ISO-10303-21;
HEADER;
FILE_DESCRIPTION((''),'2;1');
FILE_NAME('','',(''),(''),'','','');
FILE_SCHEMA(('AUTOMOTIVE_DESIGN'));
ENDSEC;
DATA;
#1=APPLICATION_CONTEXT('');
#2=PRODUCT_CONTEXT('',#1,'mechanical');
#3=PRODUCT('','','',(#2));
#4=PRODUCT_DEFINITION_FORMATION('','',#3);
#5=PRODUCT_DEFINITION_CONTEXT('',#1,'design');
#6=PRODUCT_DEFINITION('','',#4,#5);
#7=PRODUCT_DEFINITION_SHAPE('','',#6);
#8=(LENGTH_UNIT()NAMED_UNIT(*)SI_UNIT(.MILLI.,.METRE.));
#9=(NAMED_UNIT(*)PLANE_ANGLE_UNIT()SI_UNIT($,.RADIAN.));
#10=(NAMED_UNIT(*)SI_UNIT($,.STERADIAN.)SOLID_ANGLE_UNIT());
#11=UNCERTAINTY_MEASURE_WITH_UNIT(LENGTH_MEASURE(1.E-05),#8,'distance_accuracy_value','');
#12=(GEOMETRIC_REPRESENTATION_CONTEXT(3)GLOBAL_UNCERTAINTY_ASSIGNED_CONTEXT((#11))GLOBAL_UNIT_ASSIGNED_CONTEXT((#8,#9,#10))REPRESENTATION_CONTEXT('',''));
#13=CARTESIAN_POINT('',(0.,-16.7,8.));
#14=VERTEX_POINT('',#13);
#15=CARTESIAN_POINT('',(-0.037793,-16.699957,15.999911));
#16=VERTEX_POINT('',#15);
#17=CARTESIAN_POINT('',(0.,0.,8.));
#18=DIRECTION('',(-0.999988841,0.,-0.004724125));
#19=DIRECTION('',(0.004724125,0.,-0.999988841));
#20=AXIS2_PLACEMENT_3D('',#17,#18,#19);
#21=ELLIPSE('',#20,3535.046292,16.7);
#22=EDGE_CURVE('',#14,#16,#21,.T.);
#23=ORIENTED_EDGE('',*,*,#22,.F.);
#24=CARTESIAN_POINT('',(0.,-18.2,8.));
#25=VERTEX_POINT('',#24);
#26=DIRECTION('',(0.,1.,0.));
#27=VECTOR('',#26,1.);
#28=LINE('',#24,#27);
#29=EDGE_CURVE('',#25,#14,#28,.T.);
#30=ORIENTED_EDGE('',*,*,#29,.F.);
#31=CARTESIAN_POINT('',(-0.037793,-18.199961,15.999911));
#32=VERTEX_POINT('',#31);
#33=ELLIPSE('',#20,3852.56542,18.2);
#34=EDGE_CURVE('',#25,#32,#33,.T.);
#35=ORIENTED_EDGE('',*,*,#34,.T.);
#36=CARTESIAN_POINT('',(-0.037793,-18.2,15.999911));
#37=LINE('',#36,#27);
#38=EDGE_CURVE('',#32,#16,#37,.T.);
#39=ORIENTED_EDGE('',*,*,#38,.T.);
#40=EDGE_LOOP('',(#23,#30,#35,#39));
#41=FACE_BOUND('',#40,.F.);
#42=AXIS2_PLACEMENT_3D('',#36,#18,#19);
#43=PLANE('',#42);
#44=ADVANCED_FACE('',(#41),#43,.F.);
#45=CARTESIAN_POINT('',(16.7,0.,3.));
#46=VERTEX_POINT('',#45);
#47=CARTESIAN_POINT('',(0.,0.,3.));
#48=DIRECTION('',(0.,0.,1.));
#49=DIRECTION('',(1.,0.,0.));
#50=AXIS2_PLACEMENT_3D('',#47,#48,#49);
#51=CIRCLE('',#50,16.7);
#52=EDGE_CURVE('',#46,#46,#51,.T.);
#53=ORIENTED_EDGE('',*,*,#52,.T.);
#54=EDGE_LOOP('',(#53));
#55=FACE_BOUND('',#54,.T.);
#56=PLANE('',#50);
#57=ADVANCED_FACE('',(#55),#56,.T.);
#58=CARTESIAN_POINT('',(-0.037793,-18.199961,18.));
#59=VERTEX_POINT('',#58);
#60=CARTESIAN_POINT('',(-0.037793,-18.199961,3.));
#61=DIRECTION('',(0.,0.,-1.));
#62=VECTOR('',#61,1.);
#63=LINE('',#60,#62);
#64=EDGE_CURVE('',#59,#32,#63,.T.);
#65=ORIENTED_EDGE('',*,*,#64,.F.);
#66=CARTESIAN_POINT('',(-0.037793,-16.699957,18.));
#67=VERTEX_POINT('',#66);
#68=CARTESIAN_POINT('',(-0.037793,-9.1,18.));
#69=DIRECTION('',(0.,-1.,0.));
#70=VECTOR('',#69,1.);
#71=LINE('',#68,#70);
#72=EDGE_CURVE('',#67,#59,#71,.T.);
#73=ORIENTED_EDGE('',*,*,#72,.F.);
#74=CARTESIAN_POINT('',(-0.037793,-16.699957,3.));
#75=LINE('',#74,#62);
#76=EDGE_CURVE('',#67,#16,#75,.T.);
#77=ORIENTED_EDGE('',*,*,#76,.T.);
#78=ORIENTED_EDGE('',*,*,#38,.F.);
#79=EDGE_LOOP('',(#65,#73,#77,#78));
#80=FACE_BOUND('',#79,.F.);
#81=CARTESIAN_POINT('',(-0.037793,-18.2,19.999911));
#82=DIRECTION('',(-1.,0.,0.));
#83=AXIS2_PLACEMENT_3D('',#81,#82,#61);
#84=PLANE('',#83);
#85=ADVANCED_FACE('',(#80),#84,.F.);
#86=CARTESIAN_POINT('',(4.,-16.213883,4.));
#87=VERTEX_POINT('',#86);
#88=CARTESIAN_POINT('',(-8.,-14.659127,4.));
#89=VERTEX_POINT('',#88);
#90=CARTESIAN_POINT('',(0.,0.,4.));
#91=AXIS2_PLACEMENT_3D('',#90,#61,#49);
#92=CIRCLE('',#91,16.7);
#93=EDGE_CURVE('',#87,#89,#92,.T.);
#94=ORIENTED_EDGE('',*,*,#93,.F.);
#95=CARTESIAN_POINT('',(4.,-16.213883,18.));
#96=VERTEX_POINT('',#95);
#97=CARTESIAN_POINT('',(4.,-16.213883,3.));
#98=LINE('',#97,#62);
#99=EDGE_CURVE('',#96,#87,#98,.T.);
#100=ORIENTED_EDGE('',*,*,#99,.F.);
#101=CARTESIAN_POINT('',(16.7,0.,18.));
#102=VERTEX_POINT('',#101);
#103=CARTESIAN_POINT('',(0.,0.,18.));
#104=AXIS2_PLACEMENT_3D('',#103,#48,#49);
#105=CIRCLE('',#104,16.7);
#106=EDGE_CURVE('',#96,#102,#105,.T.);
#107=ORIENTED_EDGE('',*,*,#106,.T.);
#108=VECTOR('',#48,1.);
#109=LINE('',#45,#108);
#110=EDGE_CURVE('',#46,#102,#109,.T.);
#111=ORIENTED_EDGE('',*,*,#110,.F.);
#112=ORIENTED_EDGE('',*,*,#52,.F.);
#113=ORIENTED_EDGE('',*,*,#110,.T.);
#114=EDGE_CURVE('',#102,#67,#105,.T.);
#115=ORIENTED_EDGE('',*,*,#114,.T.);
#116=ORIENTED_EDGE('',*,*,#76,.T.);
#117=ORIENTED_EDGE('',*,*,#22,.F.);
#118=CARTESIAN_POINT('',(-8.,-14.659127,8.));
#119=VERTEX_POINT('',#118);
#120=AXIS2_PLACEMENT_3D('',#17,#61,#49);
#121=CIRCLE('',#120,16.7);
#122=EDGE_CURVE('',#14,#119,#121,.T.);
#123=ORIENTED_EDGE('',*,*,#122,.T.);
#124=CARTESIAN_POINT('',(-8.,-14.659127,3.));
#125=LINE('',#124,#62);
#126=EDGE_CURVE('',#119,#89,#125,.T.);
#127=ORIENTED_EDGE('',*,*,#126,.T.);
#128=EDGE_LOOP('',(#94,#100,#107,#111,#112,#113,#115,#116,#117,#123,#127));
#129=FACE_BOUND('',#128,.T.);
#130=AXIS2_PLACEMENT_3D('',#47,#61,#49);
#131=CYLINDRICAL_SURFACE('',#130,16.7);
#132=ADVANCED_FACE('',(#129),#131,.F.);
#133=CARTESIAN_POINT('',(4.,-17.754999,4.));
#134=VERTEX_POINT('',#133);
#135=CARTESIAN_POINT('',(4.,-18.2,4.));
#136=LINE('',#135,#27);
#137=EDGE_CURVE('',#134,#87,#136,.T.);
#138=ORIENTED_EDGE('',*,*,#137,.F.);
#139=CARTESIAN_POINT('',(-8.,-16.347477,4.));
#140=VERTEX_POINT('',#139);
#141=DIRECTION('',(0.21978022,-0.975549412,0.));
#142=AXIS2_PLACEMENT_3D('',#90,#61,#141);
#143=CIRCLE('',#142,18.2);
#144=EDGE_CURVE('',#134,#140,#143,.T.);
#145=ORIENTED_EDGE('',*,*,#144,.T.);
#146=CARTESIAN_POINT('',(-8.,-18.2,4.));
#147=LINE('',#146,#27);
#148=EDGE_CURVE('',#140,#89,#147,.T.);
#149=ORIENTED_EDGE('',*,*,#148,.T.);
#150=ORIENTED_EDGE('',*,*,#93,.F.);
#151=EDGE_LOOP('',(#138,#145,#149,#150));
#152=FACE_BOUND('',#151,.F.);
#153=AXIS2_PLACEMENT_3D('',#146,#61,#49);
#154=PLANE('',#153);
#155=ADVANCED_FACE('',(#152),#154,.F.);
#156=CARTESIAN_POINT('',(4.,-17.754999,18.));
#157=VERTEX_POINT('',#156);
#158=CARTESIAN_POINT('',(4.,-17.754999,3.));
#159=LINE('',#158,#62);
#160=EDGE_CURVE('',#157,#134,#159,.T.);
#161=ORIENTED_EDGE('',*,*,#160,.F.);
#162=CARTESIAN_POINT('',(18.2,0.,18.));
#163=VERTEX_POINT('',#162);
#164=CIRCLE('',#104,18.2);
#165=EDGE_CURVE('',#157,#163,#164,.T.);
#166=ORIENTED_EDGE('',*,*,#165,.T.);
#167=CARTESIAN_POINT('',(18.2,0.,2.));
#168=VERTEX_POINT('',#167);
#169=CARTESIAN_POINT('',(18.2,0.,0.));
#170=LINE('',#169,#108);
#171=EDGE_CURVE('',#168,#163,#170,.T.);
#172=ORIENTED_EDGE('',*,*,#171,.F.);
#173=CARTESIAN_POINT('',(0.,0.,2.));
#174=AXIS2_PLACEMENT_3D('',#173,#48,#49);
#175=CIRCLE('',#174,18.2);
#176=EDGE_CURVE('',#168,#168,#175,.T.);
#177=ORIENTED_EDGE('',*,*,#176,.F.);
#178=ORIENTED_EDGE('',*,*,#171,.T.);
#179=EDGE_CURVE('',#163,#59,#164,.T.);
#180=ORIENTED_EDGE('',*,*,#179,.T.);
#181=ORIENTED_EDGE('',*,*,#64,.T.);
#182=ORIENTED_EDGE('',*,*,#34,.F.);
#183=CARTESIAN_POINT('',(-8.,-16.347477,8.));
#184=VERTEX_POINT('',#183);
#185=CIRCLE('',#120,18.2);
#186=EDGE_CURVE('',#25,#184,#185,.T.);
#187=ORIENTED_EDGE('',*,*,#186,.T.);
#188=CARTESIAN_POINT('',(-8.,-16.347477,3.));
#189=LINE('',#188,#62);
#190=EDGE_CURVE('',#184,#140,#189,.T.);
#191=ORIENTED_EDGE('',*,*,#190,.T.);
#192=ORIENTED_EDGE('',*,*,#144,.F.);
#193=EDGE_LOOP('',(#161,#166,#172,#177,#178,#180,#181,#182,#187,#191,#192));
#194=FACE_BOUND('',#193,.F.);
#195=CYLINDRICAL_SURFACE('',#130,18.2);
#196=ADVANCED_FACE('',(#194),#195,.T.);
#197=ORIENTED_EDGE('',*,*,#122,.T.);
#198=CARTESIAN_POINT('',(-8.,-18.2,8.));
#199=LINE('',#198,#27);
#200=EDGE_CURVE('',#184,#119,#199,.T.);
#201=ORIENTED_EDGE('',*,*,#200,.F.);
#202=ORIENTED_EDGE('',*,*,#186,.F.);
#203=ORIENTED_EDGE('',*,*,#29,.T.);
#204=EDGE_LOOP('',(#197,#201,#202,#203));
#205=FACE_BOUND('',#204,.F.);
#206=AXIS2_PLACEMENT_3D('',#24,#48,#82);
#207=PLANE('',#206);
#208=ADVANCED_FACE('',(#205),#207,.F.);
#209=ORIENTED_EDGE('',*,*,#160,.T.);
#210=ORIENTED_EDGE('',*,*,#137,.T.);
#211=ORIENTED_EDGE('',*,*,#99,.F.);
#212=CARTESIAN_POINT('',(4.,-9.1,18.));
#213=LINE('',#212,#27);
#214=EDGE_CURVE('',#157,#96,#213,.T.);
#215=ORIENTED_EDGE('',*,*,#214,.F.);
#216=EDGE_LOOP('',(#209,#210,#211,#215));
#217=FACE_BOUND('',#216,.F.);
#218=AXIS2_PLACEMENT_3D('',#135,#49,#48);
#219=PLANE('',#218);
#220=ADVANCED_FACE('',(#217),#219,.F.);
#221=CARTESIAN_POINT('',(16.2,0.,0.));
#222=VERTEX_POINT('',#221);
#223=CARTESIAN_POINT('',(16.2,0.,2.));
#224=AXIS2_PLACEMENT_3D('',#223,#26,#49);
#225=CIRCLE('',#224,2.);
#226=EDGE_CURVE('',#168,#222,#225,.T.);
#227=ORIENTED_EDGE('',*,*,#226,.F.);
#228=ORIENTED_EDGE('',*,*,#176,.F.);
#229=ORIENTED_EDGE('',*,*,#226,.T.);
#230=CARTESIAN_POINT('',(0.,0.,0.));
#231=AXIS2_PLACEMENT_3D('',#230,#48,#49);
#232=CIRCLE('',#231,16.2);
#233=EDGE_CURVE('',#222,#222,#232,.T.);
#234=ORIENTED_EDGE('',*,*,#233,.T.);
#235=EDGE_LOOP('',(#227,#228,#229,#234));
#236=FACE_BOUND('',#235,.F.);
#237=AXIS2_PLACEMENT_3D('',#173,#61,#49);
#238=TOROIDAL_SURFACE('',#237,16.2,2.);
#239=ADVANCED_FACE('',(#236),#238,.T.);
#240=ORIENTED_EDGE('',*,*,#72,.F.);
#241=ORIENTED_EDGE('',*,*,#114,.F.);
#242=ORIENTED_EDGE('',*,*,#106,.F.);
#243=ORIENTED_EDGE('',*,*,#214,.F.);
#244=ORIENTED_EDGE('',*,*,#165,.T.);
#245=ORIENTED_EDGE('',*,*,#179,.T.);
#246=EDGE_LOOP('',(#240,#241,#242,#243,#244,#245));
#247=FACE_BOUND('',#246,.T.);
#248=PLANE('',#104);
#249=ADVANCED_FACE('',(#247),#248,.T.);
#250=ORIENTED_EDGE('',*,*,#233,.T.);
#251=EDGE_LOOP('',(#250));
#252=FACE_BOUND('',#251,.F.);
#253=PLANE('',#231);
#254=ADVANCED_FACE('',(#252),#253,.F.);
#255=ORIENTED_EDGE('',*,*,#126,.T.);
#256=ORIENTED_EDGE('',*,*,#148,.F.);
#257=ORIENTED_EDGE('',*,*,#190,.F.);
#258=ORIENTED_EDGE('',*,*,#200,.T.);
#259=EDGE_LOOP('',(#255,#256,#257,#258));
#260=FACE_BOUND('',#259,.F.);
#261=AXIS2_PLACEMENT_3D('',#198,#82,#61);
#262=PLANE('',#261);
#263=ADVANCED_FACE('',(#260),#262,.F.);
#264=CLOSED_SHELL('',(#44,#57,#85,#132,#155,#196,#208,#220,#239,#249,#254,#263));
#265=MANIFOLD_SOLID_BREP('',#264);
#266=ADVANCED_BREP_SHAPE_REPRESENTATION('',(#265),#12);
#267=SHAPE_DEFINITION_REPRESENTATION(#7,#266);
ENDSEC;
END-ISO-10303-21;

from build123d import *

# Parameters (mm, degrees)
F0_R     = 18.2
F0_R_2   = 16.7
F1_DEPTH = 3
F2_R     = 18.2
F2_R_2   = 16.7
F3_DEPTH = 15
F6_DEPTH = 10
F7_R     = 2


with BuildPart() as f1:
    # F0 (on Top) → F1 (new body)
    with BuildSketch(Plane.XY):
        Circle(F0_R)
        Circle(F0_R_2, mode=Mode.SUBTRACT)
        Circle(F0_R_2)
    extrude(amount=F1_DEPTH)

    # F2 (on face) → F3 (join)
    with BuildSketch(Plane.XY.offset(3)):
        Circle(F2_R)
        Circle(F2_R_2, mode=Mode.SUBTRACT)
    extrude(amount=F3_DEPTH)

    # F5 (on offset) → F6 (cut)
    with BuildSketch(Plane.XZ.offset(18.2)):
        Polygon((-0.037793, 15.999911), (0, 8), (-8, 8), (-8, 4), (4, 4), (4, 20), (3.962207, 19.999911), (-0.037793, 19.999911), align=None)
    extrude(amount=-F6_DEPTH, mode=Mode.SUBTRACT)

    # F7
    f7_edges = [f1.edges().sort_by_distance(p)[0] for p in [
        (-18.2, 0, 0),
    ]]
    fillet(f7_edges, radius=F7_R)


solid = f1.part
